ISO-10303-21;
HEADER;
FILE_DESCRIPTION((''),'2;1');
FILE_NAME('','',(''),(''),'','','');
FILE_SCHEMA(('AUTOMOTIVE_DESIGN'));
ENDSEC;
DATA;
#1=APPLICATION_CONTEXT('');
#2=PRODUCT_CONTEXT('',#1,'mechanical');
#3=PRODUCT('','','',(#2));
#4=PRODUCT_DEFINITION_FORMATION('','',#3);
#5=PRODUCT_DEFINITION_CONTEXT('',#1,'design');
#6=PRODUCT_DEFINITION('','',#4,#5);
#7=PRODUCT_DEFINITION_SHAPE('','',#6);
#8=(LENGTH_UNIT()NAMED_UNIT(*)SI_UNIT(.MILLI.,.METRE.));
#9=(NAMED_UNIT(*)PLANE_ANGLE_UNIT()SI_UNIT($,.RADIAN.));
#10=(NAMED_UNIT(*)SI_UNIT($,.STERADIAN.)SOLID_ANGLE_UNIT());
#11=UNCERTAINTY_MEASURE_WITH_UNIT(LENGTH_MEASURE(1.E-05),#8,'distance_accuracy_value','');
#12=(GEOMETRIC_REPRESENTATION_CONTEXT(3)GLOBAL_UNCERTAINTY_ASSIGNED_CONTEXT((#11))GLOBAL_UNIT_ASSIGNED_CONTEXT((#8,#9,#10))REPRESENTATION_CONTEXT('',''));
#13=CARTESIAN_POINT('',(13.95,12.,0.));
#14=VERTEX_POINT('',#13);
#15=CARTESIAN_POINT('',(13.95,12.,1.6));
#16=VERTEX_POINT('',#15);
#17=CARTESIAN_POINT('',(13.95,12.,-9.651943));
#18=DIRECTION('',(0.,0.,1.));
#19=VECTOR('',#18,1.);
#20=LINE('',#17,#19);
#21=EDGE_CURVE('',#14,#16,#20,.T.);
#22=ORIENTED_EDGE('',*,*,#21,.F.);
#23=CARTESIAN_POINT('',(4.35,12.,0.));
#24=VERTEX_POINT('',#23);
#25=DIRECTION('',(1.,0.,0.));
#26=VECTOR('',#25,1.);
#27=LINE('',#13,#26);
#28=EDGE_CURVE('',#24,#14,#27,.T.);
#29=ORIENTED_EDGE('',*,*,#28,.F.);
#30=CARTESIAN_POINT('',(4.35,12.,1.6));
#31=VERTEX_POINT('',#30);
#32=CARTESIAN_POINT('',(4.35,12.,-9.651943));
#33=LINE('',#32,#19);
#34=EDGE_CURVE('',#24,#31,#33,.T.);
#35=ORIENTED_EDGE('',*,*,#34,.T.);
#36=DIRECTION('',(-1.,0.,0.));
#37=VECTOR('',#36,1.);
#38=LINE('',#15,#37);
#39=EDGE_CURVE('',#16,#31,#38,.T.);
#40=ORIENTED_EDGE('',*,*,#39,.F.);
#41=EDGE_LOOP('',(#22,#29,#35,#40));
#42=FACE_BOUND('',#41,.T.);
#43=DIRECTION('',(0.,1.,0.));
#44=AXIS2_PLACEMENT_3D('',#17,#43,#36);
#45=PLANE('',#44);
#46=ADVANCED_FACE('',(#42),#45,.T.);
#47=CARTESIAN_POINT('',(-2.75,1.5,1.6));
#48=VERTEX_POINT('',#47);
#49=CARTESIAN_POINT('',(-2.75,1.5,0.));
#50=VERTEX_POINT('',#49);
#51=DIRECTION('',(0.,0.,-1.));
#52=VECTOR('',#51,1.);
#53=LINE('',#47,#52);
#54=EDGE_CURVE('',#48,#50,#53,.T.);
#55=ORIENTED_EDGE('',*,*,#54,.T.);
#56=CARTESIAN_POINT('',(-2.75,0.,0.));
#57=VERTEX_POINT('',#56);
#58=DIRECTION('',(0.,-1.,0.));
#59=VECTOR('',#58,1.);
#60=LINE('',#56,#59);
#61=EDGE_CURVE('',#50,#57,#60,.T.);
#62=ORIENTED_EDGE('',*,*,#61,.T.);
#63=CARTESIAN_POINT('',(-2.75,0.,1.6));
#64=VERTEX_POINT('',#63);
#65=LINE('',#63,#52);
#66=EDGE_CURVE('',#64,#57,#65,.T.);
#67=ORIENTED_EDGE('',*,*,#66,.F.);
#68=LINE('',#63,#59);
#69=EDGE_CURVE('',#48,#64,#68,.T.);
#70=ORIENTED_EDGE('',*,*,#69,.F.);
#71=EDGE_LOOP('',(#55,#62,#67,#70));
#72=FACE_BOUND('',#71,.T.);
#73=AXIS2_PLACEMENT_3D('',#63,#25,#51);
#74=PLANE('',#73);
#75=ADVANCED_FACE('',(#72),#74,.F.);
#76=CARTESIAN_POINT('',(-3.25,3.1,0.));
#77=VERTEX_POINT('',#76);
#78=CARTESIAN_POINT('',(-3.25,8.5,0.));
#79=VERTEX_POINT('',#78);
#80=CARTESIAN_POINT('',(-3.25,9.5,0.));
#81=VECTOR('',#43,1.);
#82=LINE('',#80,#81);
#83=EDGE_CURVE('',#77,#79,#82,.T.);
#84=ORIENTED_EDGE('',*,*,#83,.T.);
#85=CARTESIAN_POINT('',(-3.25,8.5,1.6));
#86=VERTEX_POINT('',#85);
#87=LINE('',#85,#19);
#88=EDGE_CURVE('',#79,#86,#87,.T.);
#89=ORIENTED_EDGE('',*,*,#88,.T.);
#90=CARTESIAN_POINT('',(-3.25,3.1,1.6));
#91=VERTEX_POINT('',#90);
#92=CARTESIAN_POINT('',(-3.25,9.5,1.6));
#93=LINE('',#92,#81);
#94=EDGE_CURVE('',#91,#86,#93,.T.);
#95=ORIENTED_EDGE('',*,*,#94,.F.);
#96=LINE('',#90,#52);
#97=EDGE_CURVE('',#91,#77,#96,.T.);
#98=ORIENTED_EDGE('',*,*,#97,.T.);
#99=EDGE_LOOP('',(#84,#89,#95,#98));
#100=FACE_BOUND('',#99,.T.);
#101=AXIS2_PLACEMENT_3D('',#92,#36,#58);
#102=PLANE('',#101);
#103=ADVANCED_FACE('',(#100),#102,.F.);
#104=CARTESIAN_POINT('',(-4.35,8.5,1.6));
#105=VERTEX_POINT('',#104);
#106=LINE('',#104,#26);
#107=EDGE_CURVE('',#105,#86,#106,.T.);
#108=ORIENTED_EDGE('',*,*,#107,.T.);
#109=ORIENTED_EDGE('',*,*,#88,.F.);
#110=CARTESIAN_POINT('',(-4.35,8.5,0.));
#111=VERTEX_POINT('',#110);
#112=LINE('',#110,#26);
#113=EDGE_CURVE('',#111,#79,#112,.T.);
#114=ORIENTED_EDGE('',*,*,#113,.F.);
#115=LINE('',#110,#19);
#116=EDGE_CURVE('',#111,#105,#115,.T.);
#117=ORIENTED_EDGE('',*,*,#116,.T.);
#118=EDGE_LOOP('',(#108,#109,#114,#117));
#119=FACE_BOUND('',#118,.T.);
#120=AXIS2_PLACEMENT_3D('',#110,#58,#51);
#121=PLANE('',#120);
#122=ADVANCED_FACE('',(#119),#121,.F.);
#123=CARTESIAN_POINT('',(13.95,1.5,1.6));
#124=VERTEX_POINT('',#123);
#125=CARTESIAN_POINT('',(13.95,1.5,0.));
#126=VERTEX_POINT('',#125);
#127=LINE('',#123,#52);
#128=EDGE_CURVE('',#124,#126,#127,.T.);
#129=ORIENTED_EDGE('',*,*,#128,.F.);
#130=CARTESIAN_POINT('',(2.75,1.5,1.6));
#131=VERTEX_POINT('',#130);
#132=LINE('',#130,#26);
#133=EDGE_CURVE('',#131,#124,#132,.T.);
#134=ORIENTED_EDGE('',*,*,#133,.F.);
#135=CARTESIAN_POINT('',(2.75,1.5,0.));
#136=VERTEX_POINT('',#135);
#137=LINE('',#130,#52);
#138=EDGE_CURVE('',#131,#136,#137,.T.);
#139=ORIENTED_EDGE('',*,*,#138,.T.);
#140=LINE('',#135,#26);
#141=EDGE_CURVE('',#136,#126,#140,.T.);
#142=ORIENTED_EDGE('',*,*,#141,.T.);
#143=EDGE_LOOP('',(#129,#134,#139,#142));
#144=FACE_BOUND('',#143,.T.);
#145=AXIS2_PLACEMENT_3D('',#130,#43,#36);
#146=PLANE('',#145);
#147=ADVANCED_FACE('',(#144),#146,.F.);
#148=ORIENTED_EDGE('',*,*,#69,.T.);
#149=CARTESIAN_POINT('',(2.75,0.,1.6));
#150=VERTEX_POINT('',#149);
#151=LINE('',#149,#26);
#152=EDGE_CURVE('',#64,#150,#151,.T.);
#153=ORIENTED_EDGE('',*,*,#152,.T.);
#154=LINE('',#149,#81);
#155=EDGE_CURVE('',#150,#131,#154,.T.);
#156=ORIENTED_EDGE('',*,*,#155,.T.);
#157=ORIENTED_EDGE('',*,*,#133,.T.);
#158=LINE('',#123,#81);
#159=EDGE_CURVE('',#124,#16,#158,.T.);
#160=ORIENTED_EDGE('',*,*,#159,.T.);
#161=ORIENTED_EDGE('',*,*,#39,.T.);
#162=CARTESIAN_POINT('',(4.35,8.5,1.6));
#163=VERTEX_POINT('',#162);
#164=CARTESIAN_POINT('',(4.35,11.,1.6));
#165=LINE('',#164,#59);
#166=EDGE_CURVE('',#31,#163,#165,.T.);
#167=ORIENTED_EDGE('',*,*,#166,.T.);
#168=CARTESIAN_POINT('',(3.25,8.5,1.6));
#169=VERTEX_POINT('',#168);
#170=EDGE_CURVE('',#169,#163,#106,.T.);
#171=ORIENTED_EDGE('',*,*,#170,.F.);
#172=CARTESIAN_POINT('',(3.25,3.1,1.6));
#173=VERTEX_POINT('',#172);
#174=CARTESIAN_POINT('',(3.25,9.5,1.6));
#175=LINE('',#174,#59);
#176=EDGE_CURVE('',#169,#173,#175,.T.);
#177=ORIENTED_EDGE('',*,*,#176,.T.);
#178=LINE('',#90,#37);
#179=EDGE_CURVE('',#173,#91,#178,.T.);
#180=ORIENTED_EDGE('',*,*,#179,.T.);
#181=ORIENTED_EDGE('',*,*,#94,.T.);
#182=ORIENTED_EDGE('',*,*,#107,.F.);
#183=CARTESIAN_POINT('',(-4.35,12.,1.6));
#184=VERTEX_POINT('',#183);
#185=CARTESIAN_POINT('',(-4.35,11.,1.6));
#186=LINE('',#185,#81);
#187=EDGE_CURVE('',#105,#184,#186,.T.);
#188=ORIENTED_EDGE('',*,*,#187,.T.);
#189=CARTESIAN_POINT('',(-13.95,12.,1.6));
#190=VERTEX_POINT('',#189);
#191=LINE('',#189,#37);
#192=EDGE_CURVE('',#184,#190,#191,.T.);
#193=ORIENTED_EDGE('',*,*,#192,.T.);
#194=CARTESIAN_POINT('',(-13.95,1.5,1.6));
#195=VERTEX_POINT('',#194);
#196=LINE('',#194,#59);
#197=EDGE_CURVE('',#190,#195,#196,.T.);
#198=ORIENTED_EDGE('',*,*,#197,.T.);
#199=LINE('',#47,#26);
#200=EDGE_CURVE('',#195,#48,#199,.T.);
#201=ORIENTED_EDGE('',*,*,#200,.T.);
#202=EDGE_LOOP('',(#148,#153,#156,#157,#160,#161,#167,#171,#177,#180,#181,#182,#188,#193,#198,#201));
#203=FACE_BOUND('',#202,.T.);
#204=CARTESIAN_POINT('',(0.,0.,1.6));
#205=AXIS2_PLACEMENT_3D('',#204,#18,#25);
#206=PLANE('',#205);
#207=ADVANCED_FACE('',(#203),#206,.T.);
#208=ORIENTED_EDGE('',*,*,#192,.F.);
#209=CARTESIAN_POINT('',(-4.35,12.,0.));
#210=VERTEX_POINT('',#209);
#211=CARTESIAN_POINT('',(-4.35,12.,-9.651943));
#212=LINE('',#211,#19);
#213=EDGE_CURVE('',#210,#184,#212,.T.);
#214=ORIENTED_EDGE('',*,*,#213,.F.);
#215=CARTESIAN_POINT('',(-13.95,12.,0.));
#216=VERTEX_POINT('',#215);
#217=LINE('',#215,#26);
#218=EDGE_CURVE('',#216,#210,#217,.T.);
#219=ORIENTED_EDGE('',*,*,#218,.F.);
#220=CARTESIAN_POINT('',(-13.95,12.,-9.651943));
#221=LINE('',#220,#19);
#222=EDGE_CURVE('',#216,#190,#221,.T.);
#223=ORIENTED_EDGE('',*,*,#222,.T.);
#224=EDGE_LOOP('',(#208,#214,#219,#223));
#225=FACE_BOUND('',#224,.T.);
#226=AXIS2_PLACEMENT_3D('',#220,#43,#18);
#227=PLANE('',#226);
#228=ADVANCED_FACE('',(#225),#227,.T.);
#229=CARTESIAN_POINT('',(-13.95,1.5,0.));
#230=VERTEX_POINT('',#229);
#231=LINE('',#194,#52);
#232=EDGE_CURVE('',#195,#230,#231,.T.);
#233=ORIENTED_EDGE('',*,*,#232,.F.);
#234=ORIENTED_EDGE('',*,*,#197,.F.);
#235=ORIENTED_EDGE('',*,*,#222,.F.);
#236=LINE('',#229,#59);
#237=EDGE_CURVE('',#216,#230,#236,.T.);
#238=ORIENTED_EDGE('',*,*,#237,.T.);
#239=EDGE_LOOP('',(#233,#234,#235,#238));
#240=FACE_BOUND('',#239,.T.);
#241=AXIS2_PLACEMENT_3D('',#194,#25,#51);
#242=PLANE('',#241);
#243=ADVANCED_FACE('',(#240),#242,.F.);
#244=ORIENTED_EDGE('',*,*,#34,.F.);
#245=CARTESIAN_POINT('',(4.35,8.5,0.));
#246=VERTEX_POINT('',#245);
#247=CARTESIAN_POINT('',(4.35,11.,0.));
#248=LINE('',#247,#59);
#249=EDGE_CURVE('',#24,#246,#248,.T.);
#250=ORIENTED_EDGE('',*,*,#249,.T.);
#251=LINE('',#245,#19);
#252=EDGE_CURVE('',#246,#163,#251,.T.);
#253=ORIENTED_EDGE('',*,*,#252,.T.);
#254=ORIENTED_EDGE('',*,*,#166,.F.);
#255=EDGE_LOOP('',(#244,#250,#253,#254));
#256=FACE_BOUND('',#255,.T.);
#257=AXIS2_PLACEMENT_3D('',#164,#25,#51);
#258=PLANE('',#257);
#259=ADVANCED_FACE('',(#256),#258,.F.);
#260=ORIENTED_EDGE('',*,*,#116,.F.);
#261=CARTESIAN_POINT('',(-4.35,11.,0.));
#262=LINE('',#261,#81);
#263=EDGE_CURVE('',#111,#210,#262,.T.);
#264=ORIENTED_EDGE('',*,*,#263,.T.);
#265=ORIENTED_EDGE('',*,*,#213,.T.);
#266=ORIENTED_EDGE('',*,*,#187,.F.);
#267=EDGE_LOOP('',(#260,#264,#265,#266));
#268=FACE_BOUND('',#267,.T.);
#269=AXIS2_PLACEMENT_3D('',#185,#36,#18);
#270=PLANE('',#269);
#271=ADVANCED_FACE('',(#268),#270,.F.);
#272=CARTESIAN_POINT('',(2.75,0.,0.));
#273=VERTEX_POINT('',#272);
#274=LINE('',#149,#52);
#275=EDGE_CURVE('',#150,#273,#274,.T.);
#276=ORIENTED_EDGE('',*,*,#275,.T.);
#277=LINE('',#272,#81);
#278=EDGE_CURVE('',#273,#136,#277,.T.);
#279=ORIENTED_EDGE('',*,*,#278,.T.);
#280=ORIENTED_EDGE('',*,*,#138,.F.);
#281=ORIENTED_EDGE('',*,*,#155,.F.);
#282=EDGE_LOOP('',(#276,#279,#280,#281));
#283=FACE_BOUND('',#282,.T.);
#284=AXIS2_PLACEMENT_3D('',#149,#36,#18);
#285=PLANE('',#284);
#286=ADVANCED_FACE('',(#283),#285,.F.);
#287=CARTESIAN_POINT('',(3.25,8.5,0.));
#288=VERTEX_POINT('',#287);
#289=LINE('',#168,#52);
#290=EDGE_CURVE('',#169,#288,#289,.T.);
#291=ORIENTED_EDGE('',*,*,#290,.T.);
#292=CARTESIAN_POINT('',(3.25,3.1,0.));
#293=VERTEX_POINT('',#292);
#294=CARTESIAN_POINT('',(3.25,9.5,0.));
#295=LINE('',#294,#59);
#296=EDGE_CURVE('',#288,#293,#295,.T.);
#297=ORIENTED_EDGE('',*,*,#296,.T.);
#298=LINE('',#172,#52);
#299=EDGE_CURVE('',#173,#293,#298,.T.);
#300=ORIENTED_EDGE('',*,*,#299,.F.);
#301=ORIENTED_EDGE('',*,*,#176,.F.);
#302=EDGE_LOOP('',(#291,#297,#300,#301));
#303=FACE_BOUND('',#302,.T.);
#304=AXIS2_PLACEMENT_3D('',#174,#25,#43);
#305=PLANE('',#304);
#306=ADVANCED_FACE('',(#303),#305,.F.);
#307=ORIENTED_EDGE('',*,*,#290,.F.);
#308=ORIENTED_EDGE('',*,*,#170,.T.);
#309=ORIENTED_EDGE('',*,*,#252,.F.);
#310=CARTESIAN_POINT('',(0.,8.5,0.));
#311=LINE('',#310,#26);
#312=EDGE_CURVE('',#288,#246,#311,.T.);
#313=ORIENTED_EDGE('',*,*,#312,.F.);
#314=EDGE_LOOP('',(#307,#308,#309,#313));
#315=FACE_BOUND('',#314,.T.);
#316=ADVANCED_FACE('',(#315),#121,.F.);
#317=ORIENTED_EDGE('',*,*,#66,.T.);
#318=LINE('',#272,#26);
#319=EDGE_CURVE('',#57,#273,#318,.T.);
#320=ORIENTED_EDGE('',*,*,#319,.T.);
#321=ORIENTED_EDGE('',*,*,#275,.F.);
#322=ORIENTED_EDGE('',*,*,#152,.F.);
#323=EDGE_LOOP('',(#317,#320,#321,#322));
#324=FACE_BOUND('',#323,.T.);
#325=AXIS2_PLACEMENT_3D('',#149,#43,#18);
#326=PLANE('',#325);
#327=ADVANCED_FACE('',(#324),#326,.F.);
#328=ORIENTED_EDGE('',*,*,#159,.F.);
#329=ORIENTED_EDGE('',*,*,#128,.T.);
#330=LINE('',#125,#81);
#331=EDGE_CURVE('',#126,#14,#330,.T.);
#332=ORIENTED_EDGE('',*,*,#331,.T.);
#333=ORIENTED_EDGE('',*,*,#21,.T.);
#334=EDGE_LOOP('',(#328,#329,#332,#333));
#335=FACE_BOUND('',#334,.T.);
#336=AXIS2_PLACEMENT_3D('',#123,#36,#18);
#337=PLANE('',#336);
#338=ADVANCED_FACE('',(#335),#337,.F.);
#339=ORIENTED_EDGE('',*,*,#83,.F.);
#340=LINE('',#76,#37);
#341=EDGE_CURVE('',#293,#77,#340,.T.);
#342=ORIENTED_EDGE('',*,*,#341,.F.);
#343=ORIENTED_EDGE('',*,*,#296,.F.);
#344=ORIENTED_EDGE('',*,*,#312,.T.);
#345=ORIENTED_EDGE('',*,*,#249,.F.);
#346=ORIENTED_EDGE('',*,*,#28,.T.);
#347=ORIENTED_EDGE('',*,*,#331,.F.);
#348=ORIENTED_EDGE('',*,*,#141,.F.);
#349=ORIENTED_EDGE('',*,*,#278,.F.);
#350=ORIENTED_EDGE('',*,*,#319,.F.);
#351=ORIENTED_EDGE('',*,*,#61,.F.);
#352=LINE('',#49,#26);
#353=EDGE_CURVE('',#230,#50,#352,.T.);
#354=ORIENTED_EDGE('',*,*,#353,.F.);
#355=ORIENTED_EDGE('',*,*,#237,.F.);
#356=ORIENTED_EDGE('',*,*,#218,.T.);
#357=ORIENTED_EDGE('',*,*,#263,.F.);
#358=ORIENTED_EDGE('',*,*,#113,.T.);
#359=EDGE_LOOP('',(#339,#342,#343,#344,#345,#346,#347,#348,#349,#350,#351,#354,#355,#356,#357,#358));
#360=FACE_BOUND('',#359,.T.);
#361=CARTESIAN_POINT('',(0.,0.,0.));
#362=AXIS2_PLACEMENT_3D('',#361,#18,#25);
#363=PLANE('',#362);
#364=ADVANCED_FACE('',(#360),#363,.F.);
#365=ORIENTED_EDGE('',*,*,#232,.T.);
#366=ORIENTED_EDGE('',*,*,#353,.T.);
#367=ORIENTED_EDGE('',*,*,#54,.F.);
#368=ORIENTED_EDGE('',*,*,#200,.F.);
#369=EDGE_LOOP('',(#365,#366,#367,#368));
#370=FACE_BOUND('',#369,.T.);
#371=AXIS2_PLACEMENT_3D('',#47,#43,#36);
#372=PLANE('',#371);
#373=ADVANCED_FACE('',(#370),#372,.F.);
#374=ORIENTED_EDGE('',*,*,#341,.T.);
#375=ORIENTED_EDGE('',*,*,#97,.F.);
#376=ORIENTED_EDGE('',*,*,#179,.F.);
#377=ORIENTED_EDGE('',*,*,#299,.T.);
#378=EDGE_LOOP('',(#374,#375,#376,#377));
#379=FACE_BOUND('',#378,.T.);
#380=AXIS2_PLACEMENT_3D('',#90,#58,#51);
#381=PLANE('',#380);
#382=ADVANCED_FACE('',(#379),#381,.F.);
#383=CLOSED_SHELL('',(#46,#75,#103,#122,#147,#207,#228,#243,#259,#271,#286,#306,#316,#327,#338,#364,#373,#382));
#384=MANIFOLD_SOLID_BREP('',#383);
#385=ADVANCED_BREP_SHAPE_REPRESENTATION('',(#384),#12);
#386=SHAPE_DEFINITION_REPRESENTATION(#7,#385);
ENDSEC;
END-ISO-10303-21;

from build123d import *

# Parameters (mm, degrees)
BOSS_EXTRUDE1_DEPTH = 1.6
SKETCH2_W           = 8.7
SKETCH2_H           = 1
CUT_EXTRUDE1_DEPTH  = 1.6
SKETCH3_W           = 9.6
SKETCH3_H           = 1
BOSS_EXTRUDE2_DEPTH = 1.6


with BuildPart() as part:
    # Sketch1 → Boss-Extrude1 (new body)
    with BuildSketch(Plane.XY):
        Polygon((2.75, 0), (-2.75, 0), (-2.75, 1.5), (-13.95, 1.5), (-13.95, 11), (-4.35, 11), (-4.35, 9.5), (-3.25, 9.5), (-3.25, 3.1), (3.25, 3.1), (3.25, 9.5), (4.35, 9.5), (4.35, 11), (13.95, 11), (13.95, 1.5), (2.75, 1.5), align=None)
    extrude(amount=BOSS_EXTRUDE1_DEPTH)

    # Sketch2 → Cut-Extrude1 (cut)
    with BuildSketch(Plane.XY.offset(1.6)):
        with Locations((0, 9)):
            Rectangle(SKETCH2_W, SKETCH2_H)
    extrude(amount=-CUT_EXTRUDE1_DEPTH, mode=Mode.SUBTRACT)

    # Sketch3 → Boss-Extrude2 (add)
    with BuildSketch(Plane.XY.offset(1.6)):
        with Locations((-9.15, 11.5)):
            Rectangle(SKETCH3_W, SKETCH3_H)
        with Locations((9.15, 11.5)):
            Rectangle(SKETCH3_W, SKETCH3_H)
    extrude(amount=-BOSS_EXTRUDE2_DEPTH)


solid = part.part
